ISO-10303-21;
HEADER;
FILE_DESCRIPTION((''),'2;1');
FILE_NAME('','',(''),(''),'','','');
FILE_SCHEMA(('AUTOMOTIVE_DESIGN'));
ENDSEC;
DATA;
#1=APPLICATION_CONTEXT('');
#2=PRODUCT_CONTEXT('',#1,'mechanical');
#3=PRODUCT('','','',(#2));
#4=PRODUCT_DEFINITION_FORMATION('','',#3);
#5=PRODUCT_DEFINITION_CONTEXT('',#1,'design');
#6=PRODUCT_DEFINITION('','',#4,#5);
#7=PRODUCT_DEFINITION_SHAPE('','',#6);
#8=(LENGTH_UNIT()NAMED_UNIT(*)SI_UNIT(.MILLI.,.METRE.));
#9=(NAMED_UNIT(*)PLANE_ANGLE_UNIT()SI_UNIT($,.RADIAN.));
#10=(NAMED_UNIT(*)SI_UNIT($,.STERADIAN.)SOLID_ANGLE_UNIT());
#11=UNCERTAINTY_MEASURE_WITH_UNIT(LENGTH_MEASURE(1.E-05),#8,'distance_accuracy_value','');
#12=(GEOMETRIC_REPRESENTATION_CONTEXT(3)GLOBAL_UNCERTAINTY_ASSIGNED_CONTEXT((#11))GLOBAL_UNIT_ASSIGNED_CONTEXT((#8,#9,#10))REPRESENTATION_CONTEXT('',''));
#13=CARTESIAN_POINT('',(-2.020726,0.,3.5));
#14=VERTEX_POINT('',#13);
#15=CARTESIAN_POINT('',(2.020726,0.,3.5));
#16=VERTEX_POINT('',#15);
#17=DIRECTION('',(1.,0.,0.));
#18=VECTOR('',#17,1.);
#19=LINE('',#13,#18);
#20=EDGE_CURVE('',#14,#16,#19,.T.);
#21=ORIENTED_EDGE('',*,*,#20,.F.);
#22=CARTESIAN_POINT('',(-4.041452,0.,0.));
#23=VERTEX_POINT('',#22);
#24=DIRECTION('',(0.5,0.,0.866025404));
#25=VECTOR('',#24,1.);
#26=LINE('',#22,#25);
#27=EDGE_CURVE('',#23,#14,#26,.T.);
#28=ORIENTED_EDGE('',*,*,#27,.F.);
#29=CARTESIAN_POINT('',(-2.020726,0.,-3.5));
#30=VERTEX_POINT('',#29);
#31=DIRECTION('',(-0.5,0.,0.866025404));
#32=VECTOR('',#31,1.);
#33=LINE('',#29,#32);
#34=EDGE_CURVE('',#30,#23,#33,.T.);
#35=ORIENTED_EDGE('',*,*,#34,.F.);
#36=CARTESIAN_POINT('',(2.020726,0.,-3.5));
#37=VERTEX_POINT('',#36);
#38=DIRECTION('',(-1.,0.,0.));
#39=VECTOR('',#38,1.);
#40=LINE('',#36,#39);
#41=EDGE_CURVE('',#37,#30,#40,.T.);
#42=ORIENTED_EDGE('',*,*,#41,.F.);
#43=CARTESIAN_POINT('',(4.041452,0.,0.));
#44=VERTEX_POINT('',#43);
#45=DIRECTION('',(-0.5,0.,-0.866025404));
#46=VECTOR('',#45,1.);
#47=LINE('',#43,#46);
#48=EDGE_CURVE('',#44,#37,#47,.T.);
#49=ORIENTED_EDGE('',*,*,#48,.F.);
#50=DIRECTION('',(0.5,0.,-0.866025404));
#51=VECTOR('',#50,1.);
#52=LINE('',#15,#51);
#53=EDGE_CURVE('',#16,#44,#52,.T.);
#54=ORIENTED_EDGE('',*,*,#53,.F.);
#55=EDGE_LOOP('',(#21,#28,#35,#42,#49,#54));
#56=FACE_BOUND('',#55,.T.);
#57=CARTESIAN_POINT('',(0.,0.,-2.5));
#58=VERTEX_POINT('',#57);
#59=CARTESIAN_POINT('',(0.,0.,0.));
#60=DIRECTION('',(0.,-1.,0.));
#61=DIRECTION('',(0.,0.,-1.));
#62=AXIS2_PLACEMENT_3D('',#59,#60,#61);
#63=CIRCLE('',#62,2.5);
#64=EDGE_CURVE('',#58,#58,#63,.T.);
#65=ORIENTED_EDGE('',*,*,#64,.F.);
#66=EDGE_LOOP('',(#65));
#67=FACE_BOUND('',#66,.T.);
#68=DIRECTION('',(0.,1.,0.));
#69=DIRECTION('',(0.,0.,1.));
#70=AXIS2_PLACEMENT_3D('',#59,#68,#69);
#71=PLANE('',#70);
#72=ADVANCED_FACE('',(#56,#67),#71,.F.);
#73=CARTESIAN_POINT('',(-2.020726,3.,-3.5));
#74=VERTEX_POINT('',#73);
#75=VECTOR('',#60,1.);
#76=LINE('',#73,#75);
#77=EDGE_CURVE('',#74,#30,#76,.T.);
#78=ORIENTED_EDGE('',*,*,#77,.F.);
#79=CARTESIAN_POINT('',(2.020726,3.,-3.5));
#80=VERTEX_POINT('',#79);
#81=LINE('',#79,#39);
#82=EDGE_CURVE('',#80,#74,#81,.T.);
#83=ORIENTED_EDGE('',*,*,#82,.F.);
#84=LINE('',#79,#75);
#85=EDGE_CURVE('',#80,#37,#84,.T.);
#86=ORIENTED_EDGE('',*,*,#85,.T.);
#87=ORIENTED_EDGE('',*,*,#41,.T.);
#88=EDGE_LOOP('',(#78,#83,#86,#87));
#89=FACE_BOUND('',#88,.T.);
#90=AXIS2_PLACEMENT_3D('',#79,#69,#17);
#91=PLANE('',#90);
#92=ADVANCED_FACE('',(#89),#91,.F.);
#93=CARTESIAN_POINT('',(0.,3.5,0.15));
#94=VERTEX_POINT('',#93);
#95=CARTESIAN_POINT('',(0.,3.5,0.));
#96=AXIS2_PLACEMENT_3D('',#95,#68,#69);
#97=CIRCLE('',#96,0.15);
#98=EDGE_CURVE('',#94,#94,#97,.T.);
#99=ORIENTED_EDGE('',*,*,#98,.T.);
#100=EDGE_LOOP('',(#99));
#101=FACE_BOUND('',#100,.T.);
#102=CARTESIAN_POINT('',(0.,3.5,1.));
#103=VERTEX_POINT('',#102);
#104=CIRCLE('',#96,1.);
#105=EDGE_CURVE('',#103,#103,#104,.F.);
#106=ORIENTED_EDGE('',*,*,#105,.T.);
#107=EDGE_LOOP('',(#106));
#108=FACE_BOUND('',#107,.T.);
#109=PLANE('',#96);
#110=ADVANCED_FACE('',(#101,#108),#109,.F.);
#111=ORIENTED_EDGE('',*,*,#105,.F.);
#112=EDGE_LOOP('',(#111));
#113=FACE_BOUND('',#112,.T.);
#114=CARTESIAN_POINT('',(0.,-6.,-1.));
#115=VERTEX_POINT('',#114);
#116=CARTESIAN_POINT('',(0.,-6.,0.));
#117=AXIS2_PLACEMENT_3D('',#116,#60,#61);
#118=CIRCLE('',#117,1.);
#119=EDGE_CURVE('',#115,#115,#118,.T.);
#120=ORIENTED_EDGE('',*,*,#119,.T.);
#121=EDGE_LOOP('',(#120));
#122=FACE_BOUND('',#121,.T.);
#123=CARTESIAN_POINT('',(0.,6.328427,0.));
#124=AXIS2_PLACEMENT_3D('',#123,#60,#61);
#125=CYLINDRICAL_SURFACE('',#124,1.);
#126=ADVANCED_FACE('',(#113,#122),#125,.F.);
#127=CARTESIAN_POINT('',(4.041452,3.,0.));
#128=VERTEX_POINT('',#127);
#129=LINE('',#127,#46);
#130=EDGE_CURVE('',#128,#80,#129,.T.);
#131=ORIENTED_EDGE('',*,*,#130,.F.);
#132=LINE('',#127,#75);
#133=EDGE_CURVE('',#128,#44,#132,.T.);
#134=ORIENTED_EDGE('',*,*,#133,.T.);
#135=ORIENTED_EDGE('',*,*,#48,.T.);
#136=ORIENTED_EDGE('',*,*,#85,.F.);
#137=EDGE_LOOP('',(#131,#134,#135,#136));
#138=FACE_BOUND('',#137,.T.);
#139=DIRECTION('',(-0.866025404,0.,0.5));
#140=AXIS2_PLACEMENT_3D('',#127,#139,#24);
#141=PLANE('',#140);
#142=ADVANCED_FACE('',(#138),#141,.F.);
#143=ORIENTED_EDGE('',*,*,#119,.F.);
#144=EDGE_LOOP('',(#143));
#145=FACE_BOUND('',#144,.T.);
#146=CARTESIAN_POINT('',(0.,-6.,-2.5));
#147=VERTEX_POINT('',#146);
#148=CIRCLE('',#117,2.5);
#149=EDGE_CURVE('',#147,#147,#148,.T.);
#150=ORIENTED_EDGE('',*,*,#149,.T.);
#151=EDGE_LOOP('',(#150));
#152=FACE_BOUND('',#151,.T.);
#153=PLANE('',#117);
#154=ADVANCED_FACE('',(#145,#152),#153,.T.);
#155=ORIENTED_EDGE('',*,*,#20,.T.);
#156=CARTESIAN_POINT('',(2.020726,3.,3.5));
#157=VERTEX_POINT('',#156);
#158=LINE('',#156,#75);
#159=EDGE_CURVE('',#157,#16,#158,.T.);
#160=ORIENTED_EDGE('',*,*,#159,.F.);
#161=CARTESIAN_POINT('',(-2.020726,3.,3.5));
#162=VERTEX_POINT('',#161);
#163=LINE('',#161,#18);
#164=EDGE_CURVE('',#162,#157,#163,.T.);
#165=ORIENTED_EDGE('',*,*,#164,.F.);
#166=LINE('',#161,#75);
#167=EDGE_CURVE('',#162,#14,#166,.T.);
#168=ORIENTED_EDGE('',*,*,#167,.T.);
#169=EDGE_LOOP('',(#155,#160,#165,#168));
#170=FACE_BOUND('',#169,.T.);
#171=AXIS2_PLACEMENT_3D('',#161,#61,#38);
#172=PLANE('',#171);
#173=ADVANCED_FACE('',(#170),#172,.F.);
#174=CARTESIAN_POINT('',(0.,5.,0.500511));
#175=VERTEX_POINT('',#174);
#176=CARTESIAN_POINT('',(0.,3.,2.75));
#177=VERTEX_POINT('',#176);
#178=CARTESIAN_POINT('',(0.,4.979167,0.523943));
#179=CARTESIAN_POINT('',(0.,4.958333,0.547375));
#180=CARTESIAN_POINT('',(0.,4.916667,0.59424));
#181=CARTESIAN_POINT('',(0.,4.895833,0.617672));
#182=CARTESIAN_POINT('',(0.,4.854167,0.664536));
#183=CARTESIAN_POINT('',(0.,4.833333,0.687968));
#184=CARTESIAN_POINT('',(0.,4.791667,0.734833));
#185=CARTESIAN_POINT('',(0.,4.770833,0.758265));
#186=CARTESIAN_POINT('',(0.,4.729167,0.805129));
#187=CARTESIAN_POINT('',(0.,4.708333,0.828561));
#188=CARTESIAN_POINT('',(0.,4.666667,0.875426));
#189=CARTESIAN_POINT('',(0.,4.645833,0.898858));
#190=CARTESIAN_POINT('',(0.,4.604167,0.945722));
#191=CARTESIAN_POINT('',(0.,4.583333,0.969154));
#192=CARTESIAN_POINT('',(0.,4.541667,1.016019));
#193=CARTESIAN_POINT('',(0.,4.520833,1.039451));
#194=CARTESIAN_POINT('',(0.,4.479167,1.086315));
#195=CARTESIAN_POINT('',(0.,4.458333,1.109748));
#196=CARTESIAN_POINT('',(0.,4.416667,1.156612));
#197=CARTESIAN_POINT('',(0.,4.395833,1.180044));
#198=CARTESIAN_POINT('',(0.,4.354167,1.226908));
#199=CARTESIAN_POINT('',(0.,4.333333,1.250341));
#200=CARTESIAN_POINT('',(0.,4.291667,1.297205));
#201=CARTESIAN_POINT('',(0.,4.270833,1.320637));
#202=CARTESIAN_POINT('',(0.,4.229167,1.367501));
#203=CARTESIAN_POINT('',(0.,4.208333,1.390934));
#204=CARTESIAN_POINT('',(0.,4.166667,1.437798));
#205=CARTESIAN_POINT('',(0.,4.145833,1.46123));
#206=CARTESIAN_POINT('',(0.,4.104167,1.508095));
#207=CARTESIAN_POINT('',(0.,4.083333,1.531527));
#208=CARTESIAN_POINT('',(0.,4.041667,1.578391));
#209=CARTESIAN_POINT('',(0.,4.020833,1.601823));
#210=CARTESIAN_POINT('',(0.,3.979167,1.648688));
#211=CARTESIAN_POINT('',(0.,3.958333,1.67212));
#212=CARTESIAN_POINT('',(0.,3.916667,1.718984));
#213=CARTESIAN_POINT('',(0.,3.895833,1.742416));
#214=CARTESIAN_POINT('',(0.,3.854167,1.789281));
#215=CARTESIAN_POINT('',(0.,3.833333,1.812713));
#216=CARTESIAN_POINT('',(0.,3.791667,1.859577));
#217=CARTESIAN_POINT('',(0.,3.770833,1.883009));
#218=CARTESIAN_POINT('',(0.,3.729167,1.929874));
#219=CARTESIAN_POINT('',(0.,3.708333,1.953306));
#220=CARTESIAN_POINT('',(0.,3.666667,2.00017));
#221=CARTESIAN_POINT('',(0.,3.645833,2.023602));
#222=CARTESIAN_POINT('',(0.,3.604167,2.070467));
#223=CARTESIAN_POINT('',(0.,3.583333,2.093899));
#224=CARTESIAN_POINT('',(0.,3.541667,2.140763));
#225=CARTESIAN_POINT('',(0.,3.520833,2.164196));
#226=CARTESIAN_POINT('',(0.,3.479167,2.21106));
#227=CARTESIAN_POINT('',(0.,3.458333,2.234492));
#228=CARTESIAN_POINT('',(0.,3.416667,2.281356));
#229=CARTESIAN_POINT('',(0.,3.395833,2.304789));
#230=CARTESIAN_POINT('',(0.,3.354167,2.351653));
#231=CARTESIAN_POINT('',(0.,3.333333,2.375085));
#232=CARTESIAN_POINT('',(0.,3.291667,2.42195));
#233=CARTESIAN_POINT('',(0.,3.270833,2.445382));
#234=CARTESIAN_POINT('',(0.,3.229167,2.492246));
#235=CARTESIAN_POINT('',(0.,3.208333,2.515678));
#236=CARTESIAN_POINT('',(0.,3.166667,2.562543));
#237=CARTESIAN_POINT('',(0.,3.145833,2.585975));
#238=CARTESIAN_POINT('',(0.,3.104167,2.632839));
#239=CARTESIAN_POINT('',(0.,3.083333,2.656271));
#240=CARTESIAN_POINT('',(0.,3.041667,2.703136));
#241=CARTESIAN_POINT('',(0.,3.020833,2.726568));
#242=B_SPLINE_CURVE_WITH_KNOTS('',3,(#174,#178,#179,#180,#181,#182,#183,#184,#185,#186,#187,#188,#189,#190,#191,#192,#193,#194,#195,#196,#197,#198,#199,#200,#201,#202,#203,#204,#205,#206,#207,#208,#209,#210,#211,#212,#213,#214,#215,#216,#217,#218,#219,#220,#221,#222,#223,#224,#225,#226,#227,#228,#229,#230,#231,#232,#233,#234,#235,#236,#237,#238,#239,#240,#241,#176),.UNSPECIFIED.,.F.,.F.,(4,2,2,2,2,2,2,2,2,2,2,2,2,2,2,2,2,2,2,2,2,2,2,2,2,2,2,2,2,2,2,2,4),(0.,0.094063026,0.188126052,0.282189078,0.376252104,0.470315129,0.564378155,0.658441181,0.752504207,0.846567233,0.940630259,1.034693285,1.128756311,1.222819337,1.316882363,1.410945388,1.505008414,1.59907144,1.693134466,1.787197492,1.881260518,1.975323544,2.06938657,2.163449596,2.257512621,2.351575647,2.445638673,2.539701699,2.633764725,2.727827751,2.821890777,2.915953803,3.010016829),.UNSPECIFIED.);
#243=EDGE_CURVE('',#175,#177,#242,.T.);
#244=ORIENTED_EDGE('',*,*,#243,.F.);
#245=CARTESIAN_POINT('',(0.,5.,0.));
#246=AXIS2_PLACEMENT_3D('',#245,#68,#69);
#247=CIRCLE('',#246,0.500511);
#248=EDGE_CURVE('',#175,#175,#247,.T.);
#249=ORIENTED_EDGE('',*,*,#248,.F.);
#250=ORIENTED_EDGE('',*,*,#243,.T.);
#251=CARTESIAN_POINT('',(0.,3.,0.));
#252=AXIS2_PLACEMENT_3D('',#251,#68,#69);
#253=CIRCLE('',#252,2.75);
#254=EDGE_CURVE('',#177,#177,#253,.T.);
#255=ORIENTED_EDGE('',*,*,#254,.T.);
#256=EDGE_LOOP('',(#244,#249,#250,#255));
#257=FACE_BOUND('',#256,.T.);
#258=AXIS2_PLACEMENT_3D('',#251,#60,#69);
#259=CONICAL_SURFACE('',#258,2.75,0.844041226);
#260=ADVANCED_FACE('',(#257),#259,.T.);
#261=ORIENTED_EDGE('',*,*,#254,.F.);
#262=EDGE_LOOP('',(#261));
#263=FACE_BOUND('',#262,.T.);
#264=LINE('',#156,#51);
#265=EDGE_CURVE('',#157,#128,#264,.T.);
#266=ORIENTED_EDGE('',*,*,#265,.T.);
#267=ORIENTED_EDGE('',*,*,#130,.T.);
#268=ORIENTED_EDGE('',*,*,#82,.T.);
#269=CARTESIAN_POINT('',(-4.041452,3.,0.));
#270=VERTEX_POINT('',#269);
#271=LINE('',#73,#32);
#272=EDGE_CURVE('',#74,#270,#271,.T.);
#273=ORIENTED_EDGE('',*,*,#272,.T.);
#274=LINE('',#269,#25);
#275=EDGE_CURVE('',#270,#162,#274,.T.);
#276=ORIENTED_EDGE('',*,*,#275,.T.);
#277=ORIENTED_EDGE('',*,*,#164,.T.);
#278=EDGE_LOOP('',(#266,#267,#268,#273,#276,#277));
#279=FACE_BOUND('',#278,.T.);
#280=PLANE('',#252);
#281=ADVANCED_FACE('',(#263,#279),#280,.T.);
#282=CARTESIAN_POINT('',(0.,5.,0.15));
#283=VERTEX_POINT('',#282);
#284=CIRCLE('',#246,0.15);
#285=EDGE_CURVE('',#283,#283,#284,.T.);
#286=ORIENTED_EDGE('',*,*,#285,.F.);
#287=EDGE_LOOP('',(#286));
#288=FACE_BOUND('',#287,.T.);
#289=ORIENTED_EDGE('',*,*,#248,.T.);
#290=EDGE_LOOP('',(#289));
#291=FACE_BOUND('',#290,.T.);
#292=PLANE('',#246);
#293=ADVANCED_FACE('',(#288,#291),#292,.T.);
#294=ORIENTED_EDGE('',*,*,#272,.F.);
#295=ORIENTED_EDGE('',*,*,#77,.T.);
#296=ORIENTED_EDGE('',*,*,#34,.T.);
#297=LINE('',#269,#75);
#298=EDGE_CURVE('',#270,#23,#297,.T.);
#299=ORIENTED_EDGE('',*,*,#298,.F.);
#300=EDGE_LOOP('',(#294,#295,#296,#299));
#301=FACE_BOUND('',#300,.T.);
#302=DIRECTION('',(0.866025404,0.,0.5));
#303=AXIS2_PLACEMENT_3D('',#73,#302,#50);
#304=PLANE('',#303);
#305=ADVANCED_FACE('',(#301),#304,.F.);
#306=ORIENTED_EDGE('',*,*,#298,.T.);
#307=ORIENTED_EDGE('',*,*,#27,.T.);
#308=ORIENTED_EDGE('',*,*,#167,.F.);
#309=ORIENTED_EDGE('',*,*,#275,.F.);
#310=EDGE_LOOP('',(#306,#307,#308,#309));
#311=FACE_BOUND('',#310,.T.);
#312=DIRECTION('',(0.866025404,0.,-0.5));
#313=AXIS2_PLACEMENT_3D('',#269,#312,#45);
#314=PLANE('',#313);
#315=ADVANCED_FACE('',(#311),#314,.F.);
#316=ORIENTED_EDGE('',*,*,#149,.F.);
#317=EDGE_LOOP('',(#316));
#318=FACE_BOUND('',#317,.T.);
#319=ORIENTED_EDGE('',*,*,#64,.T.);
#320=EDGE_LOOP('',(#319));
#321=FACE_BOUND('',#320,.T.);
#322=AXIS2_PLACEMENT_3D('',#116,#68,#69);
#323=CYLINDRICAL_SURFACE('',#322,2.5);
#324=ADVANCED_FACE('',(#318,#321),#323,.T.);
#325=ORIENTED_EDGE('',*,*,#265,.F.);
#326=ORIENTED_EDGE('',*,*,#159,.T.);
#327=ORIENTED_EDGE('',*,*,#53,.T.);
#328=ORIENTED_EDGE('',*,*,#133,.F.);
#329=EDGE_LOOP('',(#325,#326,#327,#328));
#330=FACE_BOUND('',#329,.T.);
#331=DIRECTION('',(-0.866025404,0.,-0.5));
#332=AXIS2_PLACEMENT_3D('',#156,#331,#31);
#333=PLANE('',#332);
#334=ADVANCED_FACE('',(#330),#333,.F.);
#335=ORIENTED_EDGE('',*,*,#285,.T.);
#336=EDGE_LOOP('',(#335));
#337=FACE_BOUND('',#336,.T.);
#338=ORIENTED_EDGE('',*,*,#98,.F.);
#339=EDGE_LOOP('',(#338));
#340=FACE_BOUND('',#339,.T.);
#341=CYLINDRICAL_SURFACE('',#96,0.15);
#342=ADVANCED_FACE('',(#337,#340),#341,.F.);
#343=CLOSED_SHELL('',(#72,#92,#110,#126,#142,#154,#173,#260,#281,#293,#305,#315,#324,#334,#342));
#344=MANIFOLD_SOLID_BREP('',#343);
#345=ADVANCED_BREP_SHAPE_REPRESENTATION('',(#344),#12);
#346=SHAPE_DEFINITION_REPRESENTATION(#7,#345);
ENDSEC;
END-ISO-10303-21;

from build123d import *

# Parameters (mm, degrees)
BOSS_EXTRUDE1_DEPTH = 3
SKETCH2_R           = 2.75
BOSS_EXTRUDE2_DEPTH = 2
BOSS_EXTRUDE2_TAPER = 48.36
SKETCH4_R           = 0.15
CUT_EXTRUDE1_DEPTH  = 1.5
SKETCH6_R           = 2.5
BOSS_EXTRUDE3_DEPTH = 6
SKETCH7_R           = 1
CUT_EXTRUDE3_DEPTH  = 9.5


with BuildPart() as part:
    # Sketch1 → Boss-Extrude1 (new body)
    with BuildSketch(Plane(origin=(0, 0, 0), x_dir=(1, 0, 0), z_dir=(0, 1, 0))):
        Polygon((4.041451884, 0), (2.020725942, 3.5), (-2.020725942, 3.5), (-4.041451884, 0), (-2.020725942, -3.5), (2.020725942, -3.5), align=None)
    extrude(amount=BOSS_EXTRUDE1_DEPTH)

    # Sketch2 → Boss-Extrude2 (add)
    with BuildSketch(Plane(origin=(0, 3, 0), x_dir=(1, 0, 0), z_dir=(0, 1, 0))):
        Circle(SKETCH2_R)
    extrude(amount=BOSS_EXTRUDE2_DEPTH, taper=BOSS_EXTRUDE2_TAPER)

    # Sketch4 → Cut-Extrude1 (cut)
    with BuildSketch(Plane(origin=(0, 5, 0), x_dir=(1, 0, 0), z_dir=(0, 1, 0))):
        with Locations(Location((0, 0, 0), (0, 0, 270))):
            Circle(SKETCH4_R)
    extrude(amount=-CUT_EXTRUDE1_DEPTH, mode=Mode.SUBTRACT)

    # Sketch6 → Boss-Extrude3 (add)
    with BuildSketch(Plane.XZ):
        with Locations(Location((0, 0, 0), (0, 0, 270))):
            Circle(SKETCH6_R)
    extrude(amount=BOSS_EXTRUDE3_DEPTH)

    # Sketch7 → Cut-Extrude3 (cut)
    with BuildSketch(Plane.XZ.offset(6)):
        with Locations(Location((0, 0, 0), (0, 0, 270))):
            Circle(SKETCH7_R)
    extrude(amount=-CUT_EXTRUDE3_DEPTH, mode=Mode.SUBTRACT)


solid = part.part
